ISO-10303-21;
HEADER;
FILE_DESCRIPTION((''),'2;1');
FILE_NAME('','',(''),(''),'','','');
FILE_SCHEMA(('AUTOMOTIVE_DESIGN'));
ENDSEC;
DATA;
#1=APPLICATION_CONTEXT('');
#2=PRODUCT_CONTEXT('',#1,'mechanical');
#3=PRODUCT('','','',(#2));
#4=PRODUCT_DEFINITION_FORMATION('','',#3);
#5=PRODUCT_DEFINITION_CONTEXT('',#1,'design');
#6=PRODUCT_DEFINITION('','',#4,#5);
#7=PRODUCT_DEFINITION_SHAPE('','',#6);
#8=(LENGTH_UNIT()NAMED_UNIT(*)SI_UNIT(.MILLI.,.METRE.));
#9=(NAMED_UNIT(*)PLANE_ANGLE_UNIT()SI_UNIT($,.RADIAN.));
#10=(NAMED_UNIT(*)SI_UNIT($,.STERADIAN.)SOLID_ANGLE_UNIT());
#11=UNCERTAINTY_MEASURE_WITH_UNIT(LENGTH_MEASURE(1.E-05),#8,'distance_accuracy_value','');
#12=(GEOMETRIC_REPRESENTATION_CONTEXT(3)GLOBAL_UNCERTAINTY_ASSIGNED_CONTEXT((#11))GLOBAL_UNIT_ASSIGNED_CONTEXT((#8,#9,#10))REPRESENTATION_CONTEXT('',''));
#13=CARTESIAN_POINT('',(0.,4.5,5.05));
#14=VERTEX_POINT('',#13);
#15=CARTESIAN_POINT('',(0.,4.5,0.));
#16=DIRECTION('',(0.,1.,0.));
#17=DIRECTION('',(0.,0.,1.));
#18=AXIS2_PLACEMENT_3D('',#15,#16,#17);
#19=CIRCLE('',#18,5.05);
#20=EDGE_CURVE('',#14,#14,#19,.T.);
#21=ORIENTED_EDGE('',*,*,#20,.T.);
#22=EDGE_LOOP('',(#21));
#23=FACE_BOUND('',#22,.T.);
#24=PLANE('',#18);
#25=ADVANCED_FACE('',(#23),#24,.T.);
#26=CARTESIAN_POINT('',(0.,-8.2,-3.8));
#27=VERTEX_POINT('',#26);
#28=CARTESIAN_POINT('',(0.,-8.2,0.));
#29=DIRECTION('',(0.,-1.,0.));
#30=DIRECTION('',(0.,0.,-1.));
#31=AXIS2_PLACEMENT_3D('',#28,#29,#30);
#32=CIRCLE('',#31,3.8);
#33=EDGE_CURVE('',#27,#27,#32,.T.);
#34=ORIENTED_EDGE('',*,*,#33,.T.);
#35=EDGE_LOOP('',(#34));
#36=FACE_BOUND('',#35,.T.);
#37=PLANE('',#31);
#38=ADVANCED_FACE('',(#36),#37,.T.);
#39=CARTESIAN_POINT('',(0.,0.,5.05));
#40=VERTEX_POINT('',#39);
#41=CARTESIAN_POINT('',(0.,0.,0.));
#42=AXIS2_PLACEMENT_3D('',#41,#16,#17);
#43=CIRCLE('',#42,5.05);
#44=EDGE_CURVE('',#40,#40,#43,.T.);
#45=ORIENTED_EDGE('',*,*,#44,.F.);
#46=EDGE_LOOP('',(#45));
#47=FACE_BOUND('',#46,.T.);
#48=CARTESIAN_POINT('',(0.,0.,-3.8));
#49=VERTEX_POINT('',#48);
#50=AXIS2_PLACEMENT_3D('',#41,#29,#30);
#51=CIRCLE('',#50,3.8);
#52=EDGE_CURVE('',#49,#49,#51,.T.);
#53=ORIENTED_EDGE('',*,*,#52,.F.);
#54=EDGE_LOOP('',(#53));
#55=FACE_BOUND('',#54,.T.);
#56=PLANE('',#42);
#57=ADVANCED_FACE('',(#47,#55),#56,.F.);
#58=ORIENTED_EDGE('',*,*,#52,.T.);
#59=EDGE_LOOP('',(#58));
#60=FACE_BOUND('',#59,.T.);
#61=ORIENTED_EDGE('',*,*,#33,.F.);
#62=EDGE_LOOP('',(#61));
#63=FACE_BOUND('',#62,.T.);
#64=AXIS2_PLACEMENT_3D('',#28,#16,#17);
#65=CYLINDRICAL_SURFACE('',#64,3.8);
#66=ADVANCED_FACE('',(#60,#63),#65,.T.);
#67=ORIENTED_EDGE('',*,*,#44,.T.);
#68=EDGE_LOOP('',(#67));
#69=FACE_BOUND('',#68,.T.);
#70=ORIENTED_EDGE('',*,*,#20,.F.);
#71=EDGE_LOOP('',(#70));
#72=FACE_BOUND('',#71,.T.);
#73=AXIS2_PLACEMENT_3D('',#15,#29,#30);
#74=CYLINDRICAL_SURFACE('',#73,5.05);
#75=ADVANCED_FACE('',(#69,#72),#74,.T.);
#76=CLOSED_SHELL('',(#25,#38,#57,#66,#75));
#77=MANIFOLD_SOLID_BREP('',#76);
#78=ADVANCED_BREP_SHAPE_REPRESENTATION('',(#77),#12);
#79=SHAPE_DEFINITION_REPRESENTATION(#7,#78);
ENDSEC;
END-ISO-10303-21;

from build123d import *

# Parameters (mm, degrees)
ESBO_O1_R                = 5.05
RESSALTO_EXTRUS_O1_DEPTH = 4.5
ESBO_O2_R                = 3.8
RESSALTO_EXTRUS_O2_DEPTH = 8.2


with BuildPart() as part:
    # Esboço1 → Ressalto-extrusão1 (new body)
    with BuildSketch(Plane(origin=(0, 0, 0), x_dir=(1, 0, 0), z_dir=(0, 1, 0))):
        with Locations(Location((0, 0, 0), (0, 0, 270))):
            Circle(ESBO_O1_R)
    extrude(amount=RESSALTO_EXTRUS_O1_DEPTH)

    # Esboço2 → Ressalto-extrusão2 (add)
    with BuildSketch(Plane.XZ):
        with Locations(Location((0, 0, 0), (0, 0, 270))):
            Circle(ESBO_O2_R)
    extrude(amount=RESSALTO_EXTRUS_O2_DEPTH)


solid = part.part
